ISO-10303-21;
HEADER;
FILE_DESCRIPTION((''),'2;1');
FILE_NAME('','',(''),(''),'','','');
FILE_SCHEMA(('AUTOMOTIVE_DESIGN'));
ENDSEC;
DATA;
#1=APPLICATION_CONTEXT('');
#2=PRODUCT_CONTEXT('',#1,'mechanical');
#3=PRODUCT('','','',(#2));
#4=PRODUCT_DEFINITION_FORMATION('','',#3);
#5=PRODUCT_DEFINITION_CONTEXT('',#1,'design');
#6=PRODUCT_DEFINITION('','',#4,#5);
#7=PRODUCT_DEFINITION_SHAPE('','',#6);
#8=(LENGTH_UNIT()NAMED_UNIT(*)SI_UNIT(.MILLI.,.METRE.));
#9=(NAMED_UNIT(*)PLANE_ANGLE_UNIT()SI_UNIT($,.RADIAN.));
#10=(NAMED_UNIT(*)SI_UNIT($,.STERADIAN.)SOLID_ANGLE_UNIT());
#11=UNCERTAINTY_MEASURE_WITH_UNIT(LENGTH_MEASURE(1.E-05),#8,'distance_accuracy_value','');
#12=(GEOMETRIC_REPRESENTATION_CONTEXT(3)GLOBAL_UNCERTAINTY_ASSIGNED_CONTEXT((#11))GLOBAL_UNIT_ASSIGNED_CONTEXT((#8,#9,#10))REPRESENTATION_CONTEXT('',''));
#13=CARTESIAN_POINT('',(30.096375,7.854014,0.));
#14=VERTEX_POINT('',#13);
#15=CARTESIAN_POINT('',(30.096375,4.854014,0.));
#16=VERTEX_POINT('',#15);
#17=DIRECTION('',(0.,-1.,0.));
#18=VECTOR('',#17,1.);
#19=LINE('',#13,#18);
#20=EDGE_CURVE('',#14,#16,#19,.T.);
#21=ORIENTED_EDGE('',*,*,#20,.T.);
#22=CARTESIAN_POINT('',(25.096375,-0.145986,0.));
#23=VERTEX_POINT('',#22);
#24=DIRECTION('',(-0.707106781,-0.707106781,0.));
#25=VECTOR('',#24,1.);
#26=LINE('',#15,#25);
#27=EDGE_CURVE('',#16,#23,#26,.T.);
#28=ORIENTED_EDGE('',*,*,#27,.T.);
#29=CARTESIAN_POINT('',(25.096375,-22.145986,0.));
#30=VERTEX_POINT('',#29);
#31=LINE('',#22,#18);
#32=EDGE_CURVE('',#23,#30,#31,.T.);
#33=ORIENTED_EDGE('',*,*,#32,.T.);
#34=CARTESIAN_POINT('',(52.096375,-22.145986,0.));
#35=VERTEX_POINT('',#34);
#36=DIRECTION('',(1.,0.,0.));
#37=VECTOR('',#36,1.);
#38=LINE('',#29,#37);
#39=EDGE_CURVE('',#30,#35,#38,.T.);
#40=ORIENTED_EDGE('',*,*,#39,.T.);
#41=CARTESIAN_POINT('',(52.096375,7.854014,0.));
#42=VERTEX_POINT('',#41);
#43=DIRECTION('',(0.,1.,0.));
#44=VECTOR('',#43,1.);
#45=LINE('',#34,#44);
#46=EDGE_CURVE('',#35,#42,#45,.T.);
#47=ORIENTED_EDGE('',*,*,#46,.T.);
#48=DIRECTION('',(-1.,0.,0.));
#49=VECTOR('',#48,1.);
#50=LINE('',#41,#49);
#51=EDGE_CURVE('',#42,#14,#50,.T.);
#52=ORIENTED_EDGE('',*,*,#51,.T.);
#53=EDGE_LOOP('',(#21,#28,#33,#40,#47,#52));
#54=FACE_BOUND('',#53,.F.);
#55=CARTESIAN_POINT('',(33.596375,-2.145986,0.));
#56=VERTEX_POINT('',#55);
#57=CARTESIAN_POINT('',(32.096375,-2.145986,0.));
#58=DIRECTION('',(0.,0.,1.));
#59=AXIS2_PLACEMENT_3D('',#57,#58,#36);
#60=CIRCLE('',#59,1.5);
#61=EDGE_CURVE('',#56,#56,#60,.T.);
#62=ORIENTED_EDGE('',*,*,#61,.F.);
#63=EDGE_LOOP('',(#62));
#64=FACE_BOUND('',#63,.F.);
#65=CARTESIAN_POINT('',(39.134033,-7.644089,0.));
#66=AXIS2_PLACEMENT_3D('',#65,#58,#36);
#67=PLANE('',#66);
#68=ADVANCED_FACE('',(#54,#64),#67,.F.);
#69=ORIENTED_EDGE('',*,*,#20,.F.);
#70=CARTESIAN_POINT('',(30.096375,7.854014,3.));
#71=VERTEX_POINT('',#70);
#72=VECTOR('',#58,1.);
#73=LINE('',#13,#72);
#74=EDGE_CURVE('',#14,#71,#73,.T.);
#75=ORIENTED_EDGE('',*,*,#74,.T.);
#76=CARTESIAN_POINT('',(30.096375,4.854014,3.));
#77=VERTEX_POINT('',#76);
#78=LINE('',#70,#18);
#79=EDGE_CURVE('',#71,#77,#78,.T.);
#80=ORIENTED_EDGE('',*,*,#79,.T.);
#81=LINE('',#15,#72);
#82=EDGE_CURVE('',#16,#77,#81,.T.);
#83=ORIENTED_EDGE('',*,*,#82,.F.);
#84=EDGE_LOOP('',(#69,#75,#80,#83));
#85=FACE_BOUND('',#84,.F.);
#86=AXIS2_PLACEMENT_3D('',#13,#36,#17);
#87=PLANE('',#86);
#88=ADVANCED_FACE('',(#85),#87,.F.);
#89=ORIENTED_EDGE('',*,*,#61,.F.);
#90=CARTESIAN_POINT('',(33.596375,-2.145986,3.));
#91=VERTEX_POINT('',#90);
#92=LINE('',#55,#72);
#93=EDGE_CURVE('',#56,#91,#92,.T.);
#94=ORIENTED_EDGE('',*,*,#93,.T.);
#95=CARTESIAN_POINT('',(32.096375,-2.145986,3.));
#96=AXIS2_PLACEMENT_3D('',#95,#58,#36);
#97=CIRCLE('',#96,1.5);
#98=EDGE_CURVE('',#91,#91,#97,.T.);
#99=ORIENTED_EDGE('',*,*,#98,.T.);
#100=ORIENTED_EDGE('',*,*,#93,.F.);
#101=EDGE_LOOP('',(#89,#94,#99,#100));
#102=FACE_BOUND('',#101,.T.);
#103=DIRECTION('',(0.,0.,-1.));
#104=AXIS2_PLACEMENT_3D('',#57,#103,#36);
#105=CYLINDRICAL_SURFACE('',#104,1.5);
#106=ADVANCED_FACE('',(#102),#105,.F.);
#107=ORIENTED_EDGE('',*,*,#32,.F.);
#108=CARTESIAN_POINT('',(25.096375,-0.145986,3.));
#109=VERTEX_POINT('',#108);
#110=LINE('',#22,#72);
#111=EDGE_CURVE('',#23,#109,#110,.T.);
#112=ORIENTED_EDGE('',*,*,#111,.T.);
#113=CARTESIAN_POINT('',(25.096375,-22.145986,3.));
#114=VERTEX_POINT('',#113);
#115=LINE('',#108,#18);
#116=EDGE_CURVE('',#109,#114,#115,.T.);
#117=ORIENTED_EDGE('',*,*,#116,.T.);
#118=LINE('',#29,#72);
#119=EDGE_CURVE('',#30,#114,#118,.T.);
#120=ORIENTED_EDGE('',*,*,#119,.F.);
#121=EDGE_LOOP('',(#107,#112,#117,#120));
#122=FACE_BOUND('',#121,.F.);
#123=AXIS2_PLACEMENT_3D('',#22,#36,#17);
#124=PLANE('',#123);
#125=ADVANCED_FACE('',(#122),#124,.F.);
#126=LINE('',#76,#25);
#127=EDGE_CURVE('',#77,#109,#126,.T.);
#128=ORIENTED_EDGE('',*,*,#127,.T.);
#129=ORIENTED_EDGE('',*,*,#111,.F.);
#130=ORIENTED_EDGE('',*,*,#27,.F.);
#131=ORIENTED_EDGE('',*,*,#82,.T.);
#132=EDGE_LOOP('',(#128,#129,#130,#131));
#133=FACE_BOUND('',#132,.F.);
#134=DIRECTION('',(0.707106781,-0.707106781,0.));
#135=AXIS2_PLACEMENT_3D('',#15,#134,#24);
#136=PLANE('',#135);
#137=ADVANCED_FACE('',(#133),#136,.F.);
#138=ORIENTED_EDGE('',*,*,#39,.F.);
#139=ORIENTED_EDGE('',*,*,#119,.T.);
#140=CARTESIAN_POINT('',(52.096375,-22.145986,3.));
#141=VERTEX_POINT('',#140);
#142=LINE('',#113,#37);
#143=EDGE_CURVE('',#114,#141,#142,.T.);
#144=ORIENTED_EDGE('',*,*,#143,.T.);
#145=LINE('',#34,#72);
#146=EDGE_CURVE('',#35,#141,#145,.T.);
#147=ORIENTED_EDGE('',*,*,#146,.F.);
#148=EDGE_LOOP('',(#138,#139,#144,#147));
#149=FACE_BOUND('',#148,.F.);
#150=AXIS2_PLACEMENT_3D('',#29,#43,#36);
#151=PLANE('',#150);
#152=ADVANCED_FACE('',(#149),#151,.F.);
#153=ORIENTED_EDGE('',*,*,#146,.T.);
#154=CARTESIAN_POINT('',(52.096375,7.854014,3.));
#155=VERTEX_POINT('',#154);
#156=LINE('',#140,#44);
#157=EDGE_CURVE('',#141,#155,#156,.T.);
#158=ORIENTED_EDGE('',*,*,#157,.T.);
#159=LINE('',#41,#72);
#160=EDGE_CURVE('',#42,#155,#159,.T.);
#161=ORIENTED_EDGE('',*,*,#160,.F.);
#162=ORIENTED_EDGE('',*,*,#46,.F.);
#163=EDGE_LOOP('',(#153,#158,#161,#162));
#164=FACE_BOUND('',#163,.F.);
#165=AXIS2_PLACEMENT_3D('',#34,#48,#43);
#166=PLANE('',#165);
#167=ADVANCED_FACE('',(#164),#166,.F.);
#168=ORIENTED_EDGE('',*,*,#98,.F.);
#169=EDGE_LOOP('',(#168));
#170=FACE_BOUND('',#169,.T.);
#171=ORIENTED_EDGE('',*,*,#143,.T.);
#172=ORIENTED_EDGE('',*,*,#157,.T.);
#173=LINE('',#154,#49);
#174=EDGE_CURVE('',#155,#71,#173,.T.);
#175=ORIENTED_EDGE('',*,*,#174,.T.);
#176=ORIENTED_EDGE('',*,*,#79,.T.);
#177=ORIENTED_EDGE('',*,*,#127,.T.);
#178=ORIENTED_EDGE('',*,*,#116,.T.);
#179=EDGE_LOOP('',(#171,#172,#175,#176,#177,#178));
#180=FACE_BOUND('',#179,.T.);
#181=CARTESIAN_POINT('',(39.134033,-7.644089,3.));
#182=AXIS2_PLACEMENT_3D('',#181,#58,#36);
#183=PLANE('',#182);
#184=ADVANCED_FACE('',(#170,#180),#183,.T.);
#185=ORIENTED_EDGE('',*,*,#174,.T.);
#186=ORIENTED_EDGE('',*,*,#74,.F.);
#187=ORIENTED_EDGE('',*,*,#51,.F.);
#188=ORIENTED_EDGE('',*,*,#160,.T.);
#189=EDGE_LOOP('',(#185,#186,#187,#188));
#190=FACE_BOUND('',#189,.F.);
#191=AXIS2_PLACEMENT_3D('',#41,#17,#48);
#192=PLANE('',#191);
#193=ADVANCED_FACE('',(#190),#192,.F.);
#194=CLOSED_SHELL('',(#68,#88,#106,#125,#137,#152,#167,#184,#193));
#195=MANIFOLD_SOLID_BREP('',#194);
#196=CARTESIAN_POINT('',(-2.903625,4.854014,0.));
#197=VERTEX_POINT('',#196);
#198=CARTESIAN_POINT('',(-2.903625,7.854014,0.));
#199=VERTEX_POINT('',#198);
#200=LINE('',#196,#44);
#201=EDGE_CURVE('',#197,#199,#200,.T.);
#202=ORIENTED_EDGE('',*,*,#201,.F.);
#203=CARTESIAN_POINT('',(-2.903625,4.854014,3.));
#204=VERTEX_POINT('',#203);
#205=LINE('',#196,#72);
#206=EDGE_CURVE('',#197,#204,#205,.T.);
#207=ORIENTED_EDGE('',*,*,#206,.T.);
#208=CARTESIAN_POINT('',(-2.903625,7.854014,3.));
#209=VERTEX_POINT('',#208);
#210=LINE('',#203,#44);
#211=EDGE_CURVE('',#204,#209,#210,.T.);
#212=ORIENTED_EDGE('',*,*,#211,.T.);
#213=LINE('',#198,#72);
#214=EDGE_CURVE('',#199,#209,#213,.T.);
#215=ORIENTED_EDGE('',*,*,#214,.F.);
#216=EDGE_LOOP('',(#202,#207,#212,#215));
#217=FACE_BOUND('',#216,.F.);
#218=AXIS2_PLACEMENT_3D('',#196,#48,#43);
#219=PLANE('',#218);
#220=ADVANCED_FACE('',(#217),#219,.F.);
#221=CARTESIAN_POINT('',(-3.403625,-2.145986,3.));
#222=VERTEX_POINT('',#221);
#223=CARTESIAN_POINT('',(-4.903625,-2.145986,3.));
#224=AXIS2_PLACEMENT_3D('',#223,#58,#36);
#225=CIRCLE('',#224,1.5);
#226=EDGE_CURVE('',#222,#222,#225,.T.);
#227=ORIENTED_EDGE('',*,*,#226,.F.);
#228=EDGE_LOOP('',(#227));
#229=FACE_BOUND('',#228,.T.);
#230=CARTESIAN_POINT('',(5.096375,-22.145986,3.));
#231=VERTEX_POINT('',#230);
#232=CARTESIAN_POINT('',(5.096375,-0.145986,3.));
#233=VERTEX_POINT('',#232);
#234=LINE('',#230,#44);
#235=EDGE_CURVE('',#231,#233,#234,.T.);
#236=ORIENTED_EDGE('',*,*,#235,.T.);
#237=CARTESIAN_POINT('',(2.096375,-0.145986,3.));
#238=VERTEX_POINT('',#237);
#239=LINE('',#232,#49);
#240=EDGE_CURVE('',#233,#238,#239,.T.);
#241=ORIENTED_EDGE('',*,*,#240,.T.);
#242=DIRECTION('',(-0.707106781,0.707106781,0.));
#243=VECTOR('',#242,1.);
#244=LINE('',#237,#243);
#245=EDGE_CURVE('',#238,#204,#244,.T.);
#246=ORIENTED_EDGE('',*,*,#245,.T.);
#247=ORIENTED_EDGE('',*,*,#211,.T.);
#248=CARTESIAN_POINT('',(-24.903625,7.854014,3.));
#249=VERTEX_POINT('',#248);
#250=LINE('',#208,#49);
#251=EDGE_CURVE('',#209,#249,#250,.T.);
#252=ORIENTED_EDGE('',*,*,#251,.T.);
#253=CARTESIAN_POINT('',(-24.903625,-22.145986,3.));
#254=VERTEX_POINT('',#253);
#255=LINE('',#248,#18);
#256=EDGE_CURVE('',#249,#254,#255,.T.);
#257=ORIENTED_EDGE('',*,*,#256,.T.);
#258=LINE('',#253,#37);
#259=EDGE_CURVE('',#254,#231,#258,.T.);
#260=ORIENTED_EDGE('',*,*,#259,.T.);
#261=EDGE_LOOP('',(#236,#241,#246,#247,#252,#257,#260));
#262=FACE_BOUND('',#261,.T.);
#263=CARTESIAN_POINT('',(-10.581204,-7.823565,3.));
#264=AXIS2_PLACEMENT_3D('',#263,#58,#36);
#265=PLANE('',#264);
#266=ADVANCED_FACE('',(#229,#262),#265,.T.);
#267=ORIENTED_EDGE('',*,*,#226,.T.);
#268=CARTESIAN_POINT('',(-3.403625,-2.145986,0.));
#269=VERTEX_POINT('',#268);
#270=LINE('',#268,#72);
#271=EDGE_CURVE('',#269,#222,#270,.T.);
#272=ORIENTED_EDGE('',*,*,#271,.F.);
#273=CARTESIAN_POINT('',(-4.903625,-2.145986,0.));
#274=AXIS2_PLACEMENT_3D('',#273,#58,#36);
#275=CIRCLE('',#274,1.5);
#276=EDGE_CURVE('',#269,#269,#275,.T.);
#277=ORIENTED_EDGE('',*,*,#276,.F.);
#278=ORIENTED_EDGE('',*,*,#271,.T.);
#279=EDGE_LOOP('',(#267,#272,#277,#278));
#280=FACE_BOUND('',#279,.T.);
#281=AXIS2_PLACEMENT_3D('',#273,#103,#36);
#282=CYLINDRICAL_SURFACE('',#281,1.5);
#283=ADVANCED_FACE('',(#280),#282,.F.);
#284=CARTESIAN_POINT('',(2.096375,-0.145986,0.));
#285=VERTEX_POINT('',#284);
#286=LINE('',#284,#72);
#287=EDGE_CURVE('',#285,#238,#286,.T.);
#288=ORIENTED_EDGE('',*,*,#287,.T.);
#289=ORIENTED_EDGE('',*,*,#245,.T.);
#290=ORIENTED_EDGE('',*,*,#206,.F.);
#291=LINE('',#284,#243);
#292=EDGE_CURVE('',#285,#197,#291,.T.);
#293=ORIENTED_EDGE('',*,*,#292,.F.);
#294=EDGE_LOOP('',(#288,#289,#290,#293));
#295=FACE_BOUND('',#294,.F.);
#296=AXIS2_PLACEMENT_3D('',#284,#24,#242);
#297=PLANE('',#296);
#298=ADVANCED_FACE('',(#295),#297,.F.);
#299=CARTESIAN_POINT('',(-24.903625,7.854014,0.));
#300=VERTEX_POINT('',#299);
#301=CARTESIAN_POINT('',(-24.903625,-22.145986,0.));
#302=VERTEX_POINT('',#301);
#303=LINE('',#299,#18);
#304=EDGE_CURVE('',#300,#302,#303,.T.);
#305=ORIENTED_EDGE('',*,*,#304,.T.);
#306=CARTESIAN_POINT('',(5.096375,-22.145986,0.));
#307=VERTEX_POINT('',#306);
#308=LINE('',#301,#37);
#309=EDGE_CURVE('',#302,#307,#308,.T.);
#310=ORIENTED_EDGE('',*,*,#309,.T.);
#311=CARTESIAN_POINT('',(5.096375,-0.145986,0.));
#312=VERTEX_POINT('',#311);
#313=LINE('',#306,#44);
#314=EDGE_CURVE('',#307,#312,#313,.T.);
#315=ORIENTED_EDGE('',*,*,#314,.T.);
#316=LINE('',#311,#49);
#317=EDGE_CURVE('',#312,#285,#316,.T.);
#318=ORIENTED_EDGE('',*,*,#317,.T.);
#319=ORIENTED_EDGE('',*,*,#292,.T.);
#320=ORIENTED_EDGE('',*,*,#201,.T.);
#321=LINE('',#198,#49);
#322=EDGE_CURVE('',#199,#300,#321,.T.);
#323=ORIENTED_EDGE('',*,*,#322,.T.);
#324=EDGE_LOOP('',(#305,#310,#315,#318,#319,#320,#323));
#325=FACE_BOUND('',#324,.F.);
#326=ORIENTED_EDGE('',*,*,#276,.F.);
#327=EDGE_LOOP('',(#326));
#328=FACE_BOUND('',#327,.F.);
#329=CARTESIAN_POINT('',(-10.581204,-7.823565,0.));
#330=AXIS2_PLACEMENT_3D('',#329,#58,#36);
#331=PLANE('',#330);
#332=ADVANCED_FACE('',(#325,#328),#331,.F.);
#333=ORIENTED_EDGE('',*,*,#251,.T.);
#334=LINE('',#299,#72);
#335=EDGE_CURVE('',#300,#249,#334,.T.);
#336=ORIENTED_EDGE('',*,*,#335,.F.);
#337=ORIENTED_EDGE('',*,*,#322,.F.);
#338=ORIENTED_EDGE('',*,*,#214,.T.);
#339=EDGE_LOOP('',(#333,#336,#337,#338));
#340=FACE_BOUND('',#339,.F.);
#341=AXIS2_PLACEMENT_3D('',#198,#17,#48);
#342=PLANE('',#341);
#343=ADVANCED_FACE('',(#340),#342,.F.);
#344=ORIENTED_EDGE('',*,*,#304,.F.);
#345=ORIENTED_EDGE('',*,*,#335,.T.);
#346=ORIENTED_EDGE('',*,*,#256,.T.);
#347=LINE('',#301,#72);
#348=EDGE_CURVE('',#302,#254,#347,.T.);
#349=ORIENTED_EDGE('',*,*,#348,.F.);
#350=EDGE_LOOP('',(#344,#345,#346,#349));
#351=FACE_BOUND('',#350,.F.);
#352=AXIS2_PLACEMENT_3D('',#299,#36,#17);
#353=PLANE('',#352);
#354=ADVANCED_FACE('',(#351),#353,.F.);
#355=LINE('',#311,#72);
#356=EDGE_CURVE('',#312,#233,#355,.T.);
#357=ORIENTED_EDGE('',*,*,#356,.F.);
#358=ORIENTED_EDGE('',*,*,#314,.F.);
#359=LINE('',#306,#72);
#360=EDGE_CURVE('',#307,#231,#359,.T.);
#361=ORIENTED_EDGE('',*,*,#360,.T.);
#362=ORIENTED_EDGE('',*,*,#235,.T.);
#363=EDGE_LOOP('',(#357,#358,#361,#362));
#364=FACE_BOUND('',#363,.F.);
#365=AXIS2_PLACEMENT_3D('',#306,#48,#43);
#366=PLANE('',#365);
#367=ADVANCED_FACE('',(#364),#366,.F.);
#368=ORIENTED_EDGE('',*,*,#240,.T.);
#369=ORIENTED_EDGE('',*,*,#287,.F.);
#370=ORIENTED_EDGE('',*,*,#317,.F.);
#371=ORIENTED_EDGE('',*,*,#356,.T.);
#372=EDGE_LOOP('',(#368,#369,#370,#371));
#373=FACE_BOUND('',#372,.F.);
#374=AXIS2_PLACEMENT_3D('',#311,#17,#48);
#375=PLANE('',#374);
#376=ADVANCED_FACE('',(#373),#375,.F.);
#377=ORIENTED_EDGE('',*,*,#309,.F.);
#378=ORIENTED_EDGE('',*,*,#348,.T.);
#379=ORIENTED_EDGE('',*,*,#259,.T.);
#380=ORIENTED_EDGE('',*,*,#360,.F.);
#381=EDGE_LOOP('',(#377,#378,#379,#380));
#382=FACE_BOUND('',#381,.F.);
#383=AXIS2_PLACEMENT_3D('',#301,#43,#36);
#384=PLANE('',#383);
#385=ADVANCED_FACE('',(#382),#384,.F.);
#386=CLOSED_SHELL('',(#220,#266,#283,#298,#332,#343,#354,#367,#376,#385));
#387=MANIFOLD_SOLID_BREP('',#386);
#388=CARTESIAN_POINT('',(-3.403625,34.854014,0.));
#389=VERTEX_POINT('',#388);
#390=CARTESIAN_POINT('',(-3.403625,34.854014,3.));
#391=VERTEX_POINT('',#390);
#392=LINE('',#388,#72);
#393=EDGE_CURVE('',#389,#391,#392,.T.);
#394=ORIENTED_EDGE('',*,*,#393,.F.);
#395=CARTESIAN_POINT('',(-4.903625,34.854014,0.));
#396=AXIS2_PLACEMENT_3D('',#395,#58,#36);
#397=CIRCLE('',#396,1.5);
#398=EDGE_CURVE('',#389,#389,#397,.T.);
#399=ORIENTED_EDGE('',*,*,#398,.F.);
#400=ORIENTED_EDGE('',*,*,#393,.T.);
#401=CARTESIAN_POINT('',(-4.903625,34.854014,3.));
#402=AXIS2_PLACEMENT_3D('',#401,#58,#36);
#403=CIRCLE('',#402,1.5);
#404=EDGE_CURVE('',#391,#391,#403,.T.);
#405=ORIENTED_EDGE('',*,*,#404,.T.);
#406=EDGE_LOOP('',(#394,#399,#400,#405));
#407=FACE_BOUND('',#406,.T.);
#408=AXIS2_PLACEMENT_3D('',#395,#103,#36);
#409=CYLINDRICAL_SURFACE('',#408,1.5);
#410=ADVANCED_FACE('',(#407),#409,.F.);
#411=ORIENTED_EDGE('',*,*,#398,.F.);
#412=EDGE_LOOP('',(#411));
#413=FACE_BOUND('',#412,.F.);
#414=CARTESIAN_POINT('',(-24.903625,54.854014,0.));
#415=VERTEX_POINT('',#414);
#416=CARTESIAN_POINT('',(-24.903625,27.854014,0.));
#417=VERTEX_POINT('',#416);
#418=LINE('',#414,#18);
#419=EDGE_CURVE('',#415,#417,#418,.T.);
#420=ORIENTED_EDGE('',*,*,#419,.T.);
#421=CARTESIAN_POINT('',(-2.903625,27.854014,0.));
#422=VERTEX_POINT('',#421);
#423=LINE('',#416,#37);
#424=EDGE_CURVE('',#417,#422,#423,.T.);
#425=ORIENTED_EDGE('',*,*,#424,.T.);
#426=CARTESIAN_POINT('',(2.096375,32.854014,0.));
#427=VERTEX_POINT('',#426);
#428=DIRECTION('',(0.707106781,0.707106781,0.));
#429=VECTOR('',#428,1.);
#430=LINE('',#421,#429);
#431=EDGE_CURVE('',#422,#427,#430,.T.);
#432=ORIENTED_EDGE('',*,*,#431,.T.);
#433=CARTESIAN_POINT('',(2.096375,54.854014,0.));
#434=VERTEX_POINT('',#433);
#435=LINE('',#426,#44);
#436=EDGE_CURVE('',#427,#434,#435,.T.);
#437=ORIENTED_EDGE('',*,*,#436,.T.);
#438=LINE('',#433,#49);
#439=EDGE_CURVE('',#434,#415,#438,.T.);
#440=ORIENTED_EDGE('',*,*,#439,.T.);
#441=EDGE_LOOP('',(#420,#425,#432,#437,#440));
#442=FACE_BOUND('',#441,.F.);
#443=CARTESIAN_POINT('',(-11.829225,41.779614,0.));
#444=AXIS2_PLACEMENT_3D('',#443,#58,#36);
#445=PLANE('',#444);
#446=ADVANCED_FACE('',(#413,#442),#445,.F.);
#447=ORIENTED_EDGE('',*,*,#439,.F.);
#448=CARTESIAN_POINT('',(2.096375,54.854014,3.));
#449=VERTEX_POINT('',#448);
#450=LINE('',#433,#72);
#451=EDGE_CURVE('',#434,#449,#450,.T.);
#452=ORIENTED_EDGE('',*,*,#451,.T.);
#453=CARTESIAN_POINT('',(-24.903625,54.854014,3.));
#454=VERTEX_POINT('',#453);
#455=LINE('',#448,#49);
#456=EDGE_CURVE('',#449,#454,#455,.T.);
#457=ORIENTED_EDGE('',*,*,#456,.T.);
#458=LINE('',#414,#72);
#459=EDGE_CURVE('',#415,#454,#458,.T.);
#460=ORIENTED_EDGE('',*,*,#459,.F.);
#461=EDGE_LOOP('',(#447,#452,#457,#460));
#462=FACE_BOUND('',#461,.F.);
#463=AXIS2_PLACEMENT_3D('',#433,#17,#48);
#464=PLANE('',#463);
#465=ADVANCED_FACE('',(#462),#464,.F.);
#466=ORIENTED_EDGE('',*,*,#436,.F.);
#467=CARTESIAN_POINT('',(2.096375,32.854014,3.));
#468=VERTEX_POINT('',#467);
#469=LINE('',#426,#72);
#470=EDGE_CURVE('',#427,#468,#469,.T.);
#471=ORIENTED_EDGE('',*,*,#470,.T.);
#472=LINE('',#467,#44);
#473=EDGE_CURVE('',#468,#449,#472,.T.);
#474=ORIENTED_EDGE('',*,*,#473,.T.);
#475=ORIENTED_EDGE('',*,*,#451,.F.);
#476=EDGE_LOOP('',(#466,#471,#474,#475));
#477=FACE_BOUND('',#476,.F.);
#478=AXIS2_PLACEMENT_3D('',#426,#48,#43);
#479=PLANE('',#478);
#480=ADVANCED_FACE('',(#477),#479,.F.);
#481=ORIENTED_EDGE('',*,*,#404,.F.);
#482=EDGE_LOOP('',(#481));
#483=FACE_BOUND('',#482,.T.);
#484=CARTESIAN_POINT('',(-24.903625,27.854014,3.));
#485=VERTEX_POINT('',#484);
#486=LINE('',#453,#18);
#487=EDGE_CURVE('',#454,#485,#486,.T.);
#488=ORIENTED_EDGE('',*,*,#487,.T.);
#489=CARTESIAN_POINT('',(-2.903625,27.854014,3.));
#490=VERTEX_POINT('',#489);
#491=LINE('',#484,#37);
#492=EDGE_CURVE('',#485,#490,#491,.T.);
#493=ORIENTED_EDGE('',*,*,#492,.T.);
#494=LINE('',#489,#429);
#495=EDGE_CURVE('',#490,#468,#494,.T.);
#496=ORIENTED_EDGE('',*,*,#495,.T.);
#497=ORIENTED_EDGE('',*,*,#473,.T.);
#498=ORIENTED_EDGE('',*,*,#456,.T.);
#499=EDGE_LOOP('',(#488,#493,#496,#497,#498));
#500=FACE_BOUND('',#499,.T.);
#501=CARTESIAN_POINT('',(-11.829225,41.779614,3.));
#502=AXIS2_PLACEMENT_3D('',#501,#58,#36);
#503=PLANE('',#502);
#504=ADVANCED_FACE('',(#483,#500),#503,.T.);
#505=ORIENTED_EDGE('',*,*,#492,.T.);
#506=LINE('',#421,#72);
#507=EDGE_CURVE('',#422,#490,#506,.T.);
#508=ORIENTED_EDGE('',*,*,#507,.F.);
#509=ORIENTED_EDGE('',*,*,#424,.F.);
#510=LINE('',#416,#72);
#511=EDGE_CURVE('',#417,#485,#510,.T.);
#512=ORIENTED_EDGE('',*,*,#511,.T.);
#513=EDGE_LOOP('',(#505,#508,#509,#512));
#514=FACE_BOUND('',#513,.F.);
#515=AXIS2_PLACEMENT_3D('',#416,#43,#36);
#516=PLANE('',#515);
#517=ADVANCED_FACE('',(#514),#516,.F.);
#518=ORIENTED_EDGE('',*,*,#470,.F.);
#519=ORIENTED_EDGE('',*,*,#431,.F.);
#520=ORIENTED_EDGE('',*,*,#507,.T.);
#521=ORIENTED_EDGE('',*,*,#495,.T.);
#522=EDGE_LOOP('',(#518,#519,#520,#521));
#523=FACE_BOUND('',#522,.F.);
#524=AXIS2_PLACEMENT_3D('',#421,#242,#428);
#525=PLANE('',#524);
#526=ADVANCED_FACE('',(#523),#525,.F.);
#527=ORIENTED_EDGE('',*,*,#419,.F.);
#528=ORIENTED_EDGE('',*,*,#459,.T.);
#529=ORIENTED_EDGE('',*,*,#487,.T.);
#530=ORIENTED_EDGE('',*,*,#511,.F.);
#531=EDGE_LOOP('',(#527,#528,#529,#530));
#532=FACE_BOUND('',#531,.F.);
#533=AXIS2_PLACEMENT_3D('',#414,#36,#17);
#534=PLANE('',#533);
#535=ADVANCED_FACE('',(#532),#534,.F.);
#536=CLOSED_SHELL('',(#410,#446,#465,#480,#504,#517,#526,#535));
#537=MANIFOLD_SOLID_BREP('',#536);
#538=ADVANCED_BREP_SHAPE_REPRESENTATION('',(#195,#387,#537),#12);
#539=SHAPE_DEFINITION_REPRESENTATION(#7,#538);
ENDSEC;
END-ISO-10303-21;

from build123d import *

# Parameters (mm, degrees)
F0_R     = 1.5
F1_DEPTH = 3


with BuildPart() as f1:
    # F0 (on Top) → F1 (new body)
    with BuildSketch(Plane.XY):
        Polygon((-2.903625, 7.854014), (-24.903625, 7.854014), (-24.903625, -22.145986), (5.096375, -22.145986), (5.096375, -0.145986), (2.096375, -0.145986), (-2.903625, 4.854014), align=None)
        with Locations((-4.903625, -2.145986)):
            Circle(F0_R, mode=Mode.SUBTRACT)
        Polygon((52.096375, 7.854014), (30.096375, 7.854014), (30.096375, 4.854014), (25.096375, -0.145986), (25.096375, -22.145986), (52.096375, -22.145986), align=None)
        with Locations((32.096375, -2.145986)):
            Circle(F0_R, mode=Mode.SUBTRACT)
        Polygon((2.096375, 54.854014), (-24.903625, 54.854014), (-24.903625, 27.854014), (-2.903625, 27.854014), (2.096375, 32.854014), align=None)
        with Locations((-4.903625, 34.854014)):
            Circle(F0_R, mode=Mode.SUBTRACT)
    extrude(amount=F1_DEPTH)


solid = f1.part
